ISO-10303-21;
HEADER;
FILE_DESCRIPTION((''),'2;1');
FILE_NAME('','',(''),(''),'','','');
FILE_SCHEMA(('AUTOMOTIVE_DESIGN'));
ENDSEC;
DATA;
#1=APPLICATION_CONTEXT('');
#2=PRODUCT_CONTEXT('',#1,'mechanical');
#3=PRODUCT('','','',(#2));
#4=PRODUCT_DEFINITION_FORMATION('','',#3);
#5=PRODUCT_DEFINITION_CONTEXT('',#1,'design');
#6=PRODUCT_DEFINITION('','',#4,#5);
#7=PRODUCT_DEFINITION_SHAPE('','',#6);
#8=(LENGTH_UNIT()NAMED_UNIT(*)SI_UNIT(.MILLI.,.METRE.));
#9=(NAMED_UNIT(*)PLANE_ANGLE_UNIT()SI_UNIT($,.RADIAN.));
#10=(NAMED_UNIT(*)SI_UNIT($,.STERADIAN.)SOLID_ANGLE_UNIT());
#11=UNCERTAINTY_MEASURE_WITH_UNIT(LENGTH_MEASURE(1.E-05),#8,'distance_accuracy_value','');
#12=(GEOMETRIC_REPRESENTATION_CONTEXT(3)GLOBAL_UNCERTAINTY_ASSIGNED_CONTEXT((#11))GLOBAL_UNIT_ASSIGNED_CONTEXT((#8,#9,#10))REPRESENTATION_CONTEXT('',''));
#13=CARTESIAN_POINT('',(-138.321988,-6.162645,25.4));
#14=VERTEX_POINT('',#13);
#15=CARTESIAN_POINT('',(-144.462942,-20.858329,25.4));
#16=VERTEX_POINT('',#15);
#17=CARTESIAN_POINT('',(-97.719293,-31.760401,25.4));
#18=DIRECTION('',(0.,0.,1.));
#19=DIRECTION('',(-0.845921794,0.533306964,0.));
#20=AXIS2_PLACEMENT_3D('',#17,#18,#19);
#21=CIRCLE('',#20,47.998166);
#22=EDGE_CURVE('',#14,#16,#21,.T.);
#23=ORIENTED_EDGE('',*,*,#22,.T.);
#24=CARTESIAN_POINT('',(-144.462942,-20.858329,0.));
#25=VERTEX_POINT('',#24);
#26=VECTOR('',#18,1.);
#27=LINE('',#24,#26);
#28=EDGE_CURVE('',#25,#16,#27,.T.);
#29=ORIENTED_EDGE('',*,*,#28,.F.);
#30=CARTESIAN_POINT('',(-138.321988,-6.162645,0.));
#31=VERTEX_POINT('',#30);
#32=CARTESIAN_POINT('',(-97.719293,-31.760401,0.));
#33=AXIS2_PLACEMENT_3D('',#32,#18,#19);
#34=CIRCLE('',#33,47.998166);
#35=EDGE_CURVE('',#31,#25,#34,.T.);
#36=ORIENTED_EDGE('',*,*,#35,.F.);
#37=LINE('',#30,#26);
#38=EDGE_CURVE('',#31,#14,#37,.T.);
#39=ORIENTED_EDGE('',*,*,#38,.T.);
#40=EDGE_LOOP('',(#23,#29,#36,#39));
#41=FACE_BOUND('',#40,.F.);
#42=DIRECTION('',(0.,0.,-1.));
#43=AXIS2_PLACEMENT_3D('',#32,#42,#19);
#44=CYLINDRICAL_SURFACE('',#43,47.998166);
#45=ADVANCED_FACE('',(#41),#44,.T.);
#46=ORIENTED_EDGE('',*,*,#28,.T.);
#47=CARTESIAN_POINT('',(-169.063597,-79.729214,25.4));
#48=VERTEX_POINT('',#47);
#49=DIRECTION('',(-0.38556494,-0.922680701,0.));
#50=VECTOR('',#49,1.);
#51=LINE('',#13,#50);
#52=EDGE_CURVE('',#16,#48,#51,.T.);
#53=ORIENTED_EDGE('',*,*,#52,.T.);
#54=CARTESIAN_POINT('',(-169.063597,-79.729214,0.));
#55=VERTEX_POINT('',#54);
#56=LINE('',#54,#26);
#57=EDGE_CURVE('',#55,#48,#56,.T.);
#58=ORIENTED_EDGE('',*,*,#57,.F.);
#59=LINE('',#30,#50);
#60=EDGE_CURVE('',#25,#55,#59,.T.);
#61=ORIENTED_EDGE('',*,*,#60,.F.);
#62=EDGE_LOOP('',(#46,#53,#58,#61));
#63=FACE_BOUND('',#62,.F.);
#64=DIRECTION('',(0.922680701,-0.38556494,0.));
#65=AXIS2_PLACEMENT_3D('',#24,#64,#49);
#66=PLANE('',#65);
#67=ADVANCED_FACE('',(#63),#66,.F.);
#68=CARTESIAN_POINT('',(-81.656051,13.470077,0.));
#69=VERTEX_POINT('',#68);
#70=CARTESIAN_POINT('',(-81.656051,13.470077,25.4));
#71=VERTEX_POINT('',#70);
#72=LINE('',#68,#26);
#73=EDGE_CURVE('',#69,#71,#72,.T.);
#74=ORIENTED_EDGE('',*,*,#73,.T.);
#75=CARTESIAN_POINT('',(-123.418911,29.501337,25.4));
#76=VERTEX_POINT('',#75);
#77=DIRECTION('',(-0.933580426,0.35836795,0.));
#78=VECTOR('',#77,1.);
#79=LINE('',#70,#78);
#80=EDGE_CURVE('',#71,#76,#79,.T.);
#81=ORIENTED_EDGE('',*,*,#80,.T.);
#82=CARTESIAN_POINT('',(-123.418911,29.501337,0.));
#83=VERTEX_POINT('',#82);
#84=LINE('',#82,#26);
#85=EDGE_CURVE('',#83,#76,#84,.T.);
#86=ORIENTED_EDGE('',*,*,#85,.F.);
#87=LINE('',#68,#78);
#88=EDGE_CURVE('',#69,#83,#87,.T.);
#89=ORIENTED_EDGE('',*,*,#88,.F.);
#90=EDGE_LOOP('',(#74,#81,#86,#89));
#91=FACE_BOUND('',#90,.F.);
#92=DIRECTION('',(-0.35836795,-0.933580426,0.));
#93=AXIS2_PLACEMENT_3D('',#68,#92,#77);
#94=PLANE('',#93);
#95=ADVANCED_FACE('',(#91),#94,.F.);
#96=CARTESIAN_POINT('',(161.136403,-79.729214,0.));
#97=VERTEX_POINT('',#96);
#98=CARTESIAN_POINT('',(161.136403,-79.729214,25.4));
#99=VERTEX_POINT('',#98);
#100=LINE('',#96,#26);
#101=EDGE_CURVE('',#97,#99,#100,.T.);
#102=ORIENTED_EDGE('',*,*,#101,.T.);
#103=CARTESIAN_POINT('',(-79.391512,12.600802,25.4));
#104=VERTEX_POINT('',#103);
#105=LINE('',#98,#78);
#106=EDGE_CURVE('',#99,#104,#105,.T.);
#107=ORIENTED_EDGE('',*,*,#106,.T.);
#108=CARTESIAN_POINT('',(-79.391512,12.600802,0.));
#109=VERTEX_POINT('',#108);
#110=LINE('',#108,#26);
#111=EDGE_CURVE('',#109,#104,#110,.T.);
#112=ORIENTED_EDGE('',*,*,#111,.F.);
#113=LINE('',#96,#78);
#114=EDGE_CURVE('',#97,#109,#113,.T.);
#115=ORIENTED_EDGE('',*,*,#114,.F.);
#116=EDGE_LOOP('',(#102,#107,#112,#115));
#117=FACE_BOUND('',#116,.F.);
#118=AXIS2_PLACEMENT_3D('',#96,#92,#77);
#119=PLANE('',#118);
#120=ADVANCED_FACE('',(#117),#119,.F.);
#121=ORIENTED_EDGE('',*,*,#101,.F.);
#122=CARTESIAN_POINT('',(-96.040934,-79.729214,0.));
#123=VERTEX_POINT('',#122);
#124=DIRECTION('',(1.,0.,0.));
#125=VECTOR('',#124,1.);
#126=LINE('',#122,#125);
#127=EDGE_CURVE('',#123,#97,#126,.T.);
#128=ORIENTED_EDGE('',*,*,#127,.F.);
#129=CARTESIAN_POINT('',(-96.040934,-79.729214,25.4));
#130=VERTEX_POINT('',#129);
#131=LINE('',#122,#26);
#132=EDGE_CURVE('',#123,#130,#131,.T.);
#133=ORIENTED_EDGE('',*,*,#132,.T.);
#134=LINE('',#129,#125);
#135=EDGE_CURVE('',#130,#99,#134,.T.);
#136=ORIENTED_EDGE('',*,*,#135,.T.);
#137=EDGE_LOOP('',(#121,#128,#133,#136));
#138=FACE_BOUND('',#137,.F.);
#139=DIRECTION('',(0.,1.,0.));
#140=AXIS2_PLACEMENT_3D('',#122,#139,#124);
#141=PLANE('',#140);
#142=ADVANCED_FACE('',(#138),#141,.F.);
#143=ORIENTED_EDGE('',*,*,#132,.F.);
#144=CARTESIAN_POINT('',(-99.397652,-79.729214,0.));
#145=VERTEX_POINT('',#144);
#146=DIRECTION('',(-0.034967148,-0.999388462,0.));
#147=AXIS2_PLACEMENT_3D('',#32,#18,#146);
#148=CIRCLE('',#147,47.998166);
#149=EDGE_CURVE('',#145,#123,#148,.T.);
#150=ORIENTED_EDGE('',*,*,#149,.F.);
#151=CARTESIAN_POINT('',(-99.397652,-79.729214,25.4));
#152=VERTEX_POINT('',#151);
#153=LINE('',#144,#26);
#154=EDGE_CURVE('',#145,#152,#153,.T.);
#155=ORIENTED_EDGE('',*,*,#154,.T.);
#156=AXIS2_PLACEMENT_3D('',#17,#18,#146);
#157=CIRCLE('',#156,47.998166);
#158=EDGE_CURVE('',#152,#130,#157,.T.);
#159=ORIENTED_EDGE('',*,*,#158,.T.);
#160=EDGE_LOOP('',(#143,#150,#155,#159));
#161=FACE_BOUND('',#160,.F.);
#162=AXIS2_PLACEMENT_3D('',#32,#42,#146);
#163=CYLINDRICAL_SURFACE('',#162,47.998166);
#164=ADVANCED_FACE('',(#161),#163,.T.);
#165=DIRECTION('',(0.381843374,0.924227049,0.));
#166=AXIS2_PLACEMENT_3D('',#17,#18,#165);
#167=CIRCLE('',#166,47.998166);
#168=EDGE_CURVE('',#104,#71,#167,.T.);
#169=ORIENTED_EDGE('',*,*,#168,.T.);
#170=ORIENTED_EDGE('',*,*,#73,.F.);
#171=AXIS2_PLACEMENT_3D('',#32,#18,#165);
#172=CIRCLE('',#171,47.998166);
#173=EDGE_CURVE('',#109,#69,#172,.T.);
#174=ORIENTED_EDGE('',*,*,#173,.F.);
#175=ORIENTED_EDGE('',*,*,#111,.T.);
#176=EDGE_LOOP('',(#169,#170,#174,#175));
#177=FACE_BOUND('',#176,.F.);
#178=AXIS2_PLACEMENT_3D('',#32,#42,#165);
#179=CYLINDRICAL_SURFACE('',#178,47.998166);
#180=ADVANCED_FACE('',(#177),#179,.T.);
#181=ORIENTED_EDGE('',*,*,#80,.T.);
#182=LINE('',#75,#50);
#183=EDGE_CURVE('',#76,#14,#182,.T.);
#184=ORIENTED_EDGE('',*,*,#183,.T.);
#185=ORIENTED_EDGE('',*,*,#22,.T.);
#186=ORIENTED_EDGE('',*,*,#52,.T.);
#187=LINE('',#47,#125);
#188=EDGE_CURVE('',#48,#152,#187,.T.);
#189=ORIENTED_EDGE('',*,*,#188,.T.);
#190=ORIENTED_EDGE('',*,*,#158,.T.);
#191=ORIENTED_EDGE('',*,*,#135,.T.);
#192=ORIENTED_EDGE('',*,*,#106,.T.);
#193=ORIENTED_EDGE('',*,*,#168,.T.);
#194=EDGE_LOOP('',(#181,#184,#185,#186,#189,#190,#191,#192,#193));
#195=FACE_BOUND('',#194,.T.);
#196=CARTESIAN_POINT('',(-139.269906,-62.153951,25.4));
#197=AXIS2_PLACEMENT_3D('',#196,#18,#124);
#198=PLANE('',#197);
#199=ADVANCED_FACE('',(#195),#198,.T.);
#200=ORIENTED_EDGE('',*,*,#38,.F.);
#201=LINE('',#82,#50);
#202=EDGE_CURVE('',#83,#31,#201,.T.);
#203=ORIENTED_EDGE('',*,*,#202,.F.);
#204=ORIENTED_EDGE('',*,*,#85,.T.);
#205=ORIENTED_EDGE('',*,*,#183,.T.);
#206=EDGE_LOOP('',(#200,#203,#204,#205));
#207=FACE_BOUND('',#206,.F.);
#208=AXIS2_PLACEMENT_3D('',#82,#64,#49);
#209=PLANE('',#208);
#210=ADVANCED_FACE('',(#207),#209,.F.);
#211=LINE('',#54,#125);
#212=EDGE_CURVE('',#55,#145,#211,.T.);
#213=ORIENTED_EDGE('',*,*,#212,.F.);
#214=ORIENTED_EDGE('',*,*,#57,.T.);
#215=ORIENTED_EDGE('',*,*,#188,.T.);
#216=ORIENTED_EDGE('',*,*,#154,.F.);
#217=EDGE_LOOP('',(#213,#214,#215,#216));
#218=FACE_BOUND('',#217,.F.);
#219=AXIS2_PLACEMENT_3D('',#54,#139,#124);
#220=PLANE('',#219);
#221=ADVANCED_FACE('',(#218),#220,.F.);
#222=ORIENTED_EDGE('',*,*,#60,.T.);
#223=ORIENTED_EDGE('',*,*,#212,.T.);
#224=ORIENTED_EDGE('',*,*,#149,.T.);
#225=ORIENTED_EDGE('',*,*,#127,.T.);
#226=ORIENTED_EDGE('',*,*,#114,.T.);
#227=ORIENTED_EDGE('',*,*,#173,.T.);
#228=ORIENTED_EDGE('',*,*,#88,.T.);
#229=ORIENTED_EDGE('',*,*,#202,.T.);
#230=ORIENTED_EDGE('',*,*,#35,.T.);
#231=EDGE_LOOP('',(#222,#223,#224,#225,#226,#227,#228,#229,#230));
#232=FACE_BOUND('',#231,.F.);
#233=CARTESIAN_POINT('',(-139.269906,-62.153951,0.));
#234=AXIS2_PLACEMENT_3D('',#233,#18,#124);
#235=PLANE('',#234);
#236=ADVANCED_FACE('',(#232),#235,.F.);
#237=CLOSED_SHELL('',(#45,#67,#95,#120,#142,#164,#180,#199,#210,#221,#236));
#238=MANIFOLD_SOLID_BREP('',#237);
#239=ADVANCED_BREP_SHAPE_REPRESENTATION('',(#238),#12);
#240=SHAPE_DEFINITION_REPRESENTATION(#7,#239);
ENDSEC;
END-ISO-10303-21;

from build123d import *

# Parameters (mm, degrees)
F1_DEPTH = 25.4


with BuildPart() as f1:
    # F0 (on Top) → F1 (new body)
    with BuildSketch(Plane.XY):
        with BuildLine():
            Line((-144.4629421807, -20.8583285702), (-169.0635971189, -79.7292143106))
            Line((-169.0635971189, -79.7292143106), (-99.397652288, -79.7292143106))
            ThreePointArc((-99.397652288, -79.7292143106), (-135.8325194642, -60.9358344409), (-144.4629421807, -20.8583285702))
        make_face()
        with BuildLine():
            ThreePointArc((-144.4629421807, -20.8583285702), (-135.8325194642, -60.9358344409), (-99.397652288, -79.7292143106))
            Line((-99.397652288, -79.7292143106), (-96.0409343243, -79.7292143106))
            ThreePointArc((-96.0409343243, -79.7292143106), (-63.1911739377, -65.1015602595), (-49.7211276966, -31.7604013901))
            ThreePointArc((-49.7211276966, -31.7604013901), (-57.8224024895, -5.0759114184), (-79.3915118043, 12.6008015592))
            Line((-79.3915118043, 12.6008015592), (-81.6560506635, 13.4700765831))
            ThreePointArc((-81.6560506635, 13.4700765831), (-113.4325716452, 13.5928430994), (-138.3219876863, -6.1626454152))
            Line((-138.3219876863, -6.1626454152), (-144.4629421807, -20.8583285702))
        make_face()
        with BuildLine():
            Line((-96.0409343243, -79.7292143106), (-99.397652288, -79.7292143106))
            ThreePointArc((-99.397652288, -79.7292143106), (-97.7192933061, -79.7585669996), (-96.0409343243, -79.7292143106))
        make_face()
        with BuildLine():
            ThreePointArc((-138.3219876863, -6.1626454152), (-142.0062744162, -13.2539915266), (-144.4629421807, -20.8583285702))
            Line((-144.4629421807, -20.8583285702), (-138.3219876863, -6.1626454152))
        make_face()
        with BuildLine():
            ThreePointArc((-49.7211276966, -31.7604013901), (-63.1911739377, -65.1015602595), (-96.0409343243, -79.7292143106))
            Line((-96.0409343243, -79.7292143106), (161.1364028811, -79.7292143106))
            Line((161.1364028811, -79.7292143106), (-79.3915118043, 12.6008015592))
            ThreePointArc((-79.3915118043, 12.6008015592), (-57.8224024895, -5.0759114184), (-49.7211276966, -31.7604013901))
        make_face()
        with BuildLine():
            Line((-123.4189111152, 29.5013367108), (-138.3219876863, -6.1626454152))
            ThreePointArc((-138.3219876863, -6.1626454152), (-113.4325716452, 13.5928430994), (-81.6560506635, 13.4700765831))
            Line((-81.6560506635, 13.4700765831), (-123.4189111152, 29.5013367108))
        make_face()
        with BuildLine():
            ThreePointArc((-79.3915118043, 12.6008015592), (-80.5182891147, 13.0497465308), (-81.6560506635, 13.4700765831))
            Line((-81.6560506635, 13.4700765831), (-79.3915118043, 12.6008015592))
        make_face()
    extrude(amount=F1_DEPTH)


solid = f1.part
